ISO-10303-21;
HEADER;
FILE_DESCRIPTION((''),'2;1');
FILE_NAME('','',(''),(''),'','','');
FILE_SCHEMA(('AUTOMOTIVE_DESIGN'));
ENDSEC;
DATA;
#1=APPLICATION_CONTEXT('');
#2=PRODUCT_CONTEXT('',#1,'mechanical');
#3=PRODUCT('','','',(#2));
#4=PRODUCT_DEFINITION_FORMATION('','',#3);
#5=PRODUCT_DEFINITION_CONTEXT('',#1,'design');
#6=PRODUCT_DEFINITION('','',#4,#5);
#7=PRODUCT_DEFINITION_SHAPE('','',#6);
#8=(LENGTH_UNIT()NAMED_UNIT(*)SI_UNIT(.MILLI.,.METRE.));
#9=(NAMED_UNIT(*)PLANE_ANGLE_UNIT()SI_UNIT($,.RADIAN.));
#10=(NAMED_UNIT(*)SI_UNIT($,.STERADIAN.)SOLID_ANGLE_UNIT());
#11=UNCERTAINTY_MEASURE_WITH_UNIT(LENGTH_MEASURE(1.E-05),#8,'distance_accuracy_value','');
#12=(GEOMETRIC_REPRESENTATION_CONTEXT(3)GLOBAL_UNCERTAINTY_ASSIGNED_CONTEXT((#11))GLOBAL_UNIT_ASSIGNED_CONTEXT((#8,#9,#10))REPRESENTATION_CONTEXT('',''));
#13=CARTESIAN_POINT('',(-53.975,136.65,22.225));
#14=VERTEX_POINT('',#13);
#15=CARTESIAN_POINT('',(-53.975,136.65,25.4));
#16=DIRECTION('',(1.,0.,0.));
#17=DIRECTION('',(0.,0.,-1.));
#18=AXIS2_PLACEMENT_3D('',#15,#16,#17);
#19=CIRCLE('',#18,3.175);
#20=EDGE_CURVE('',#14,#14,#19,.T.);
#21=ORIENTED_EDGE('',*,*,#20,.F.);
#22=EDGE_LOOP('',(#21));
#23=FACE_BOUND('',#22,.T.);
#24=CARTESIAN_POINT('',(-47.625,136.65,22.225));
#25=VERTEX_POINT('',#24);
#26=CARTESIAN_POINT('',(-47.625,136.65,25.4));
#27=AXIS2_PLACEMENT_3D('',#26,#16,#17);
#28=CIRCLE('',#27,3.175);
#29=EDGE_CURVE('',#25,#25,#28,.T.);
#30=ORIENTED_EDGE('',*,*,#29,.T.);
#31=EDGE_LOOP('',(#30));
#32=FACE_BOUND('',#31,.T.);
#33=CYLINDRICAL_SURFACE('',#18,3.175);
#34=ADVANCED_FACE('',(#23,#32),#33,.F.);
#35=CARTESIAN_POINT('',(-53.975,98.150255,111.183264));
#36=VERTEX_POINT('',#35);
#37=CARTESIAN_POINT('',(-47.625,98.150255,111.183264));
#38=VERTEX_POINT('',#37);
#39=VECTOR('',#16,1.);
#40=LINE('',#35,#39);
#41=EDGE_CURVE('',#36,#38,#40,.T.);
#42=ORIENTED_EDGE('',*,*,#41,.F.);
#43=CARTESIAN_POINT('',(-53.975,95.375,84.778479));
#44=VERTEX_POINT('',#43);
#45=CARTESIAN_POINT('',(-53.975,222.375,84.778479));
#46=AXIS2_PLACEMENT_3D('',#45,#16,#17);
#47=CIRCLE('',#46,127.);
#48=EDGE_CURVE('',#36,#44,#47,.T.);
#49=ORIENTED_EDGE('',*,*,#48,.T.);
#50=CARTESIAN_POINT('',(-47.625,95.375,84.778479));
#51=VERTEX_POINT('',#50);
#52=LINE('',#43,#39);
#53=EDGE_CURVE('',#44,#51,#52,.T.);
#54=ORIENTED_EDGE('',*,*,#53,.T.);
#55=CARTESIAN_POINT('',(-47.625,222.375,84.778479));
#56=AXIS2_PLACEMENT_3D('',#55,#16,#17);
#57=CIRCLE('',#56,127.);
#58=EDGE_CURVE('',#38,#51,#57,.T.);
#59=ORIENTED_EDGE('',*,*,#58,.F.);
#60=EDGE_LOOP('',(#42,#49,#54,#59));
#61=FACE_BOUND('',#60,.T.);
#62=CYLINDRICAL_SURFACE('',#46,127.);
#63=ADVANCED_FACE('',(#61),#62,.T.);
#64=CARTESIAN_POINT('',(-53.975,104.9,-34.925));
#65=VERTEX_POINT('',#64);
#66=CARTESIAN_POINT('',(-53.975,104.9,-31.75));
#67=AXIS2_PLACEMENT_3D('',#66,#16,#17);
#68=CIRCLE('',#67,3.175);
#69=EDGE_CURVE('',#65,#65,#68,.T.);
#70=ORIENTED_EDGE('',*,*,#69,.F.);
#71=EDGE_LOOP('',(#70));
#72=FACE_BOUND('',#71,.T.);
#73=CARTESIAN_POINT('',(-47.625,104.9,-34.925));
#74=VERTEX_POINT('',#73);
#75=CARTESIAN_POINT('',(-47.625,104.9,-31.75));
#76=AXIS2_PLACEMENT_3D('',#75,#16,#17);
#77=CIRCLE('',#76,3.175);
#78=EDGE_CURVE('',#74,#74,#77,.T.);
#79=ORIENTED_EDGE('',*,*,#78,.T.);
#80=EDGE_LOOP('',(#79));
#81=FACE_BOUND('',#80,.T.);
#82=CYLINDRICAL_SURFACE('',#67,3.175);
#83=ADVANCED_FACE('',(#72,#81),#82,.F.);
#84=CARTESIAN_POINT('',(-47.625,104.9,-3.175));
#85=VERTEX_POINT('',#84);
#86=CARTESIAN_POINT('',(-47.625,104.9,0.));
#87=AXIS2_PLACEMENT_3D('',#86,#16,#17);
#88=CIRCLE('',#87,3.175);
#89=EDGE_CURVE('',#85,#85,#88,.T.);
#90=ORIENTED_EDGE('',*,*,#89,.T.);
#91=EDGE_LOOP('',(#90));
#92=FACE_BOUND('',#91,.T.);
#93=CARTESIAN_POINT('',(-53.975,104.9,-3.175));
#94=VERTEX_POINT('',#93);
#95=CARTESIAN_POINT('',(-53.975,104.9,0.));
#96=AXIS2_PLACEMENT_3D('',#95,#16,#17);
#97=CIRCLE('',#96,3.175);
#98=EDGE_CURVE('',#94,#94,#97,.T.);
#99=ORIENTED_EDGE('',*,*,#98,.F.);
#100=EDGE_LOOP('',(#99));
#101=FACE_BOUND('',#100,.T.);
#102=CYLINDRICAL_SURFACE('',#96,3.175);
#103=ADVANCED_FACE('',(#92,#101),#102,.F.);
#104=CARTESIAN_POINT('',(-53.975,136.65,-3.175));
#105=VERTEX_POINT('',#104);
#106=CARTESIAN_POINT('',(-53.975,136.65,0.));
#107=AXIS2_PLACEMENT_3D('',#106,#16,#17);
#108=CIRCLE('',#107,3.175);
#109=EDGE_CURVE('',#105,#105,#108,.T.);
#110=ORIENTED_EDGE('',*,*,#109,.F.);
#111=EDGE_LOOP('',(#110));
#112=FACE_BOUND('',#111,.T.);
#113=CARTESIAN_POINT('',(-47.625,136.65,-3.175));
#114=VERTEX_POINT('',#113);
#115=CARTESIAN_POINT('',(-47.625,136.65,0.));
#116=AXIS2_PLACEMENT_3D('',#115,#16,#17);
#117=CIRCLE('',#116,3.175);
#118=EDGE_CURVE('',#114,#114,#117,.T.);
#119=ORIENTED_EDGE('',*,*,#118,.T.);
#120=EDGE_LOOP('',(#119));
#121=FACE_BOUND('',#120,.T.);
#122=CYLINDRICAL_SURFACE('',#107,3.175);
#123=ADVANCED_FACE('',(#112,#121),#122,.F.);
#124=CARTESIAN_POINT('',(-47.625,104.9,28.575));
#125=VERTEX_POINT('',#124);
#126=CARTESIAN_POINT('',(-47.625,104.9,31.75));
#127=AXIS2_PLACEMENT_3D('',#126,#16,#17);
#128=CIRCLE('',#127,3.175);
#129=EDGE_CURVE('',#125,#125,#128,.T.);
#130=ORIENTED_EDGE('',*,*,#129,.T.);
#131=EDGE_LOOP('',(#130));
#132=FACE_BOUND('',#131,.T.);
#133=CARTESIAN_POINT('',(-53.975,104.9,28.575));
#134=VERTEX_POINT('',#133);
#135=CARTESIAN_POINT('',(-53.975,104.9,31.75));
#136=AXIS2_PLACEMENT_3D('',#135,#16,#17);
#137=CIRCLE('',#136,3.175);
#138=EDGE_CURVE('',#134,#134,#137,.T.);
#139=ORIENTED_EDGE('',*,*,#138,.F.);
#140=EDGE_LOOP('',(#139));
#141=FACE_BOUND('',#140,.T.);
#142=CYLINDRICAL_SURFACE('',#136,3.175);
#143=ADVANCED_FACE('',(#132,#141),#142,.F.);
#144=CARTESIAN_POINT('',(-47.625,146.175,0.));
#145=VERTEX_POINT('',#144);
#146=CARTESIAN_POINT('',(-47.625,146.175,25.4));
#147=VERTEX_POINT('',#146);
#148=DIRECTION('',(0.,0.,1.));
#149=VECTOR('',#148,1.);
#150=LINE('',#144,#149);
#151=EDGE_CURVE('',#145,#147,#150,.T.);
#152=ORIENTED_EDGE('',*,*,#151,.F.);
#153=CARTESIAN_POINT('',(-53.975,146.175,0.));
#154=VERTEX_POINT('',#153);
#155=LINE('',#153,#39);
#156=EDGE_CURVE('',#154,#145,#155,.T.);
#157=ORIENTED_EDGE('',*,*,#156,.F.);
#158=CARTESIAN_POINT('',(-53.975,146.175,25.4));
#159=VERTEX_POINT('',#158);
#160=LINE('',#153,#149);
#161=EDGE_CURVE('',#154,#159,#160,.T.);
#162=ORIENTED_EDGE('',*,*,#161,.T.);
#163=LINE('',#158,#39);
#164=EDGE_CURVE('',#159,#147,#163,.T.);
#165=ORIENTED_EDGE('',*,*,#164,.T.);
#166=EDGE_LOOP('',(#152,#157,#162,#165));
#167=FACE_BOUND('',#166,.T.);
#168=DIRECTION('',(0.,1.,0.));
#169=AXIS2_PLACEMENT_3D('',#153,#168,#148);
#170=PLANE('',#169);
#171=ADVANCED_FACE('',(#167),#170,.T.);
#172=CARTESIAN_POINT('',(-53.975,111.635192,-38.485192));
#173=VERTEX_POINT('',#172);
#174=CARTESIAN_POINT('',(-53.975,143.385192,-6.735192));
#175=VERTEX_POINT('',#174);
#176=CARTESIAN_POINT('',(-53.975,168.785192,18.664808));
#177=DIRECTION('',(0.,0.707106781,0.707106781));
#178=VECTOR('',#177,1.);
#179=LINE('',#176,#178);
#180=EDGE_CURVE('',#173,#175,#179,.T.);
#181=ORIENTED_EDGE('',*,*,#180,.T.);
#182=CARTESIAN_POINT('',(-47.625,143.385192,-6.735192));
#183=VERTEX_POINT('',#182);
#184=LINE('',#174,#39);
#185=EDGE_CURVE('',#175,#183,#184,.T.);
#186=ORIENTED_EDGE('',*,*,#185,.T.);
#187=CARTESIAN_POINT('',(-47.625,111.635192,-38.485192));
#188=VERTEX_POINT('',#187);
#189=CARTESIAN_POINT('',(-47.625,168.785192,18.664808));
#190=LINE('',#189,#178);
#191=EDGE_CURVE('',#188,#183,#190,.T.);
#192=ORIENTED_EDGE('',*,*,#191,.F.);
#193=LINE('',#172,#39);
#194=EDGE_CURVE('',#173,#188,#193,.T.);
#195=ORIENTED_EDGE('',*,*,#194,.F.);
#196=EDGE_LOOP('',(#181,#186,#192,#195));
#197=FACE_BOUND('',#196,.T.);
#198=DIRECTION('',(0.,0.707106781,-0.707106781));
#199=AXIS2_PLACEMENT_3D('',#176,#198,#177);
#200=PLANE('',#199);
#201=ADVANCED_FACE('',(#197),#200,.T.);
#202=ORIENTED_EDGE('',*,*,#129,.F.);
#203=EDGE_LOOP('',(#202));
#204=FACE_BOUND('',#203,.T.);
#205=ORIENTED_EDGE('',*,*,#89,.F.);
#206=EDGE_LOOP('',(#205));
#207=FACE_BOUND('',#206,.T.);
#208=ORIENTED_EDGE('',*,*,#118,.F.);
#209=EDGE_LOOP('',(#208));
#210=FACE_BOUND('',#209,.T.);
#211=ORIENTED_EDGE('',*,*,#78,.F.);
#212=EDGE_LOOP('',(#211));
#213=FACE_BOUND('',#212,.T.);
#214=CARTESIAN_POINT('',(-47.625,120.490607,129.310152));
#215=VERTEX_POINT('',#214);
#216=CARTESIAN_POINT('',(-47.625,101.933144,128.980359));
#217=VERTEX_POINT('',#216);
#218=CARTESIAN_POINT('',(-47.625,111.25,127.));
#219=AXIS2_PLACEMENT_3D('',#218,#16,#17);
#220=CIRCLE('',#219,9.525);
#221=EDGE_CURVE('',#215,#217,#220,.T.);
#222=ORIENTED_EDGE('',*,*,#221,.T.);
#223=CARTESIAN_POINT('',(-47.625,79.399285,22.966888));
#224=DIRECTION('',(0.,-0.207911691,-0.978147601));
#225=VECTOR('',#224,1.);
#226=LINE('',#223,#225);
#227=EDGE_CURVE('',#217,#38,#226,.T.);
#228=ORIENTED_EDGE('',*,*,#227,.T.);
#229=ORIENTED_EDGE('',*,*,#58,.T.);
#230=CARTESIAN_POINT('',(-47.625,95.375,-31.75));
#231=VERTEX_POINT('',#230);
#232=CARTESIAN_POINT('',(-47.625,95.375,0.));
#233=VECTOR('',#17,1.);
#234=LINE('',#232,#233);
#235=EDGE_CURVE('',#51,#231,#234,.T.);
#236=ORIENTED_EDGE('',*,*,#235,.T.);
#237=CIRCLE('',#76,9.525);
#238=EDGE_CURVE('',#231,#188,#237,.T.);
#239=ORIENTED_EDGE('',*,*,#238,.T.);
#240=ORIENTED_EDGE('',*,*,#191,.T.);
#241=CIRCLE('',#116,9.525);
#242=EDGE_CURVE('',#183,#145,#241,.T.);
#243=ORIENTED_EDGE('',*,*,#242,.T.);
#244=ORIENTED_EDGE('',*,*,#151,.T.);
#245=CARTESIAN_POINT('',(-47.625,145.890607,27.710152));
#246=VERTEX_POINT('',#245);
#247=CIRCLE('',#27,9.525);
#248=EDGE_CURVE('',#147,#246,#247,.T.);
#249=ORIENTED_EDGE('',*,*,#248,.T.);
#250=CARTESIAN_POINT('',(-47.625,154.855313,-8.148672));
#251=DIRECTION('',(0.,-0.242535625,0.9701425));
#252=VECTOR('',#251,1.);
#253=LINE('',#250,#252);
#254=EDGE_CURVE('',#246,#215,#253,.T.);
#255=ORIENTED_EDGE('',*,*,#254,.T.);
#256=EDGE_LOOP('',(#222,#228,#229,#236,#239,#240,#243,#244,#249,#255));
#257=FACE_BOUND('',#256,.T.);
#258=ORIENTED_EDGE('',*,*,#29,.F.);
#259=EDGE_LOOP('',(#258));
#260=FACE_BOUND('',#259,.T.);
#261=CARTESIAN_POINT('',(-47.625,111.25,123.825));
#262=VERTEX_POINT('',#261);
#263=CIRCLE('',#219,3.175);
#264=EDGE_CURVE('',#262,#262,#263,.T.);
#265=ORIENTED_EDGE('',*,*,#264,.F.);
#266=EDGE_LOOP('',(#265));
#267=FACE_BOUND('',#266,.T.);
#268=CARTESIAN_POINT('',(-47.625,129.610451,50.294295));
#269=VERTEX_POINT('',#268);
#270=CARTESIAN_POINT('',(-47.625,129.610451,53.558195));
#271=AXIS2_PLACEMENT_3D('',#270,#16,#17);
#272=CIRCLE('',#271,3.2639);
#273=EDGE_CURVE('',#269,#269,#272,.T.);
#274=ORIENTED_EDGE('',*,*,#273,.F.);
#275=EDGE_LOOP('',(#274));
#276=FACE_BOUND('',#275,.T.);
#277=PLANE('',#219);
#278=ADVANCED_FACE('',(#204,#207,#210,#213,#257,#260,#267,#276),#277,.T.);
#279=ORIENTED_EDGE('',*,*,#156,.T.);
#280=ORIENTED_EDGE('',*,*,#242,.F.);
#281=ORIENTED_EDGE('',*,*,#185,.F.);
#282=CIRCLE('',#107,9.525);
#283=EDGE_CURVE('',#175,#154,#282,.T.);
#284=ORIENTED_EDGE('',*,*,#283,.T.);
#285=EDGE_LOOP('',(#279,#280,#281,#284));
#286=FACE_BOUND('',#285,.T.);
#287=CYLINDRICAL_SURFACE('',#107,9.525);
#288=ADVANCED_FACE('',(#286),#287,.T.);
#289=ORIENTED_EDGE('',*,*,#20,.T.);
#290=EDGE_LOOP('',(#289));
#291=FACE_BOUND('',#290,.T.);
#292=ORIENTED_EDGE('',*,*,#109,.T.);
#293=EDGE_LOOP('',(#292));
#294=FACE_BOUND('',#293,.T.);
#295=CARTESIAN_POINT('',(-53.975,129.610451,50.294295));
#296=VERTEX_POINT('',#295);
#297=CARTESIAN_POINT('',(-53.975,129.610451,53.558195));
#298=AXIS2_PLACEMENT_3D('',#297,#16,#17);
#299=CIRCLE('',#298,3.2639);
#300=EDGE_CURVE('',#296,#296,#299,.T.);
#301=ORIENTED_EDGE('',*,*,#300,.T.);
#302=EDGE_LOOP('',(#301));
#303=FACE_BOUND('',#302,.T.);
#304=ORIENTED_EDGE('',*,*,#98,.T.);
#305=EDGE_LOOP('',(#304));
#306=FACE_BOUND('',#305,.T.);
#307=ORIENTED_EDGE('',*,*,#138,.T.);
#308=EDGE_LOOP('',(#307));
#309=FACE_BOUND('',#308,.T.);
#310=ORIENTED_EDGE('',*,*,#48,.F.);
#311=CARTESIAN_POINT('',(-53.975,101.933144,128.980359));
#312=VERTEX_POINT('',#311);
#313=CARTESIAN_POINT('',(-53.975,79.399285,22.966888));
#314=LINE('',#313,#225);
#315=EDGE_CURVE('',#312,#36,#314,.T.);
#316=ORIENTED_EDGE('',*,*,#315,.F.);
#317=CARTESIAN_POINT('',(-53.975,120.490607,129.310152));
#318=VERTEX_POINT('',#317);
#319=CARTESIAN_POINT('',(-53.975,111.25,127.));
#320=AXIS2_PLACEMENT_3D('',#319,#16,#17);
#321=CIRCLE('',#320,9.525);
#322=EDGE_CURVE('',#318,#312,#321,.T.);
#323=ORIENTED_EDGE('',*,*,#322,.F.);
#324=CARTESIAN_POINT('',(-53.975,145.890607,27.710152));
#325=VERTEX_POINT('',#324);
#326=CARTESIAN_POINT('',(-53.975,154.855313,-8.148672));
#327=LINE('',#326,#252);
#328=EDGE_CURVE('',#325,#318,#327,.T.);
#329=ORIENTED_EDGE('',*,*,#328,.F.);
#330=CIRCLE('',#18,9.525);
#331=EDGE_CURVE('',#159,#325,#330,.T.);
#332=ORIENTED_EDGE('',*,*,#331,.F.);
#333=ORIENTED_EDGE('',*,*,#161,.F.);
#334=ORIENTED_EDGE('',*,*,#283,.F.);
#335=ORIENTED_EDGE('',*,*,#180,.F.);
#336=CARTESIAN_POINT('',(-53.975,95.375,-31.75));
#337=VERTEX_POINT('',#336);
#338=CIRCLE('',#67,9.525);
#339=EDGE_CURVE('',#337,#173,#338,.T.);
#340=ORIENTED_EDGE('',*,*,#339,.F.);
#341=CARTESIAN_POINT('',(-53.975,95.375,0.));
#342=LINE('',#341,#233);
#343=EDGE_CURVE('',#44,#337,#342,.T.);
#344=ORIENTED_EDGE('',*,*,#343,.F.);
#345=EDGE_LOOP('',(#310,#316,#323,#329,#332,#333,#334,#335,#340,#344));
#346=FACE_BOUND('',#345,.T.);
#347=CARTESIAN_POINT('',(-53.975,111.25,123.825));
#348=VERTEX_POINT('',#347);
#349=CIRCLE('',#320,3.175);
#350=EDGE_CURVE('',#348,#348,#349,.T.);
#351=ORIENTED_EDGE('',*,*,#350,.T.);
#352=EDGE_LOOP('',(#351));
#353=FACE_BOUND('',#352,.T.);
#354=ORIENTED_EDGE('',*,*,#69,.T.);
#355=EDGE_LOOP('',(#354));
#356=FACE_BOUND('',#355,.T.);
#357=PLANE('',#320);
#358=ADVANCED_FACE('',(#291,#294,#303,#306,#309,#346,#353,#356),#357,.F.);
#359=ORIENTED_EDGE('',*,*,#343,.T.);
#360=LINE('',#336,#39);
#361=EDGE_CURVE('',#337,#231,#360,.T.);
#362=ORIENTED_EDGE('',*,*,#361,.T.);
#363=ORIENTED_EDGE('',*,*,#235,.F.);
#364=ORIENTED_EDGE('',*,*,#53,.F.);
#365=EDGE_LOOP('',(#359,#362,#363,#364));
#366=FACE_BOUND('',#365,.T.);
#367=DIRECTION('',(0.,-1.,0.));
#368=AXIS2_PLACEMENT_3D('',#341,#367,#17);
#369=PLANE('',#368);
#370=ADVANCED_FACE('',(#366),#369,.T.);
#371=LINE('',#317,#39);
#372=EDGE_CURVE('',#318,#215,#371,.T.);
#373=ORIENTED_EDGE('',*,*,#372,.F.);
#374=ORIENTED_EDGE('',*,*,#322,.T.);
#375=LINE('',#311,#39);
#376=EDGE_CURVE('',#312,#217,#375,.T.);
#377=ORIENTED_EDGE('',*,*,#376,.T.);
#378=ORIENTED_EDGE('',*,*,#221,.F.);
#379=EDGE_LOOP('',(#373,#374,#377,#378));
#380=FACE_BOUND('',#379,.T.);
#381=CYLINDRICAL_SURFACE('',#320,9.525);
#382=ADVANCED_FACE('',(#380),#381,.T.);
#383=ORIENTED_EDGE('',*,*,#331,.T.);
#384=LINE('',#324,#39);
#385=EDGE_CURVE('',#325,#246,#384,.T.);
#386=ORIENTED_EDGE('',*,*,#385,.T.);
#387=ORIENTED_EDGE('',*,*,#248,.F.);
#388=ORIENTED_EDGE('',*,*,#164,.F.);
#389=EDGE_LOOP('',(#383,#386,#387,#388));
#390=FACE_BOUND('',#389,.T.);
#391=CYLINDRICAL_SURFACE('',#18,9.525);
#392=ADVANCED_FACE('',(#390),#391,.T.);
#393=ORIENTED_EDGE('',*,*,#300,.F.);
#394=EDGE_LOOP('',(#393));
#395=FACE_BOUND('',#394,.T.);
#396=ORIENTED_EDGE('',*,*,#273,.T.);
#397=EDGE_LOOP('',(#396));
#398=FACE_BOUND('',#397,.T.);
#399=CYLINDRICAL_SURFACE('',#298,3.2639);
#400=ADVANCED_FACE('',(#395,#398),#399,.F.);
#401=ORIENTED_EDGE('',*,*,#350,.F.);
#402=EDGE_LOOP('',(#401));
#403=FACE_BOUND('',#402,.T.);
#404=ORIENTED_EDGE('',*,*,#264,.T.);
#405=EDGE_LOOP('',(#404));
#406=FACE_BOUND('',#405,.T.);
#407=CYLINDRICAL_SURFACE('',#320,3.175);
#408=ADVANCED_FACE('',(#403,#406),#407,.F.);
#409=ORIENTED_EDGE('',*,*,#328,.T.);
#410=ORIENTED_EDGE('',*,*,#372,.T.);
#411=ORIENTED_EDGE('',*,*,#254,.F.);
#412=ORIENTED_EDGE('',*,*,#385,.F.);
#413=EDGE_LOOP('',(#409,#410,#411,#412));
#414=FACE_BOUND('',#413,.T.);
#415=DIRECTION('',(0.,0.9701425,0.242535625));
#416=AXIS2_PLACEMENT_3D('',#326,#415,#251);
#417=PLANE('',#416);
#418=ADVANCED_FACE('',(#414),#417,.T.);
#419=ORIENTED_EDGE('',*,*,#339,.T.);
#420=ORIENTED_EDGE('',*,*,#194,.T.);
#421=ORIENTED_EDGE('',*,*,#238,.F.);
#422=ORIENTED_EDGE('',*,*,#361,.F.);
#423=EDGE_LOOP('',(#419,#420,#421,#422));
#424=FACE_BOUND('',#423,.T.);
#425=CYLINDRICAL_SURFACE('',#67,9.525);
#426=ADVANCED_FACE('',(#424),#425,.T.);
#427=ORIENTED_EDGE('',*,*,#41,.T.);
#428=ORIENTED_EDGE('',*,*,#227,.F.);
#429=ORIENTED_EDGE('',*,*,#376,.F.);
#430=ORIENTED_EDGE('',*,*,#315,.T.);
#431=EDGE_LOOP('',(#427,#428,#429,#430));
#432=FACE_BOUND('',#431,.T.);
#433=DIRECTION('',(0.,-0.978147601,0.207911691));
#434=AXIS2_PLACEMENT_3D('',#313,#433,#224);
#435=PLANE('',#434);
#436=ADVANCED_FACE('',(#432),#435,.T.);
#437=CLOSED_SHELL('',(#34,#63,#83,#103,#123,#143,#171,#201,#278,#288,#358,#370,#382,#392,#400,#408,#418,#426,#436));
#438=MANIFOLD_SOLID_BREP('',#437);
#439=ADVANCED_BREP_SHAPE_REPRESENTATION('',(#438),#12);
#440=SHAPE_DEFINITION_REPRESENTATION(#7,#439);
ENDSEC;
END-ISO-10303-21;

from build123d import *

# Parameters (mm, degrees)
BOSS_EXTRUDE1_START = -47.625
SKETCH1_R           = 3.175
SKETCH1_R_2         = 3.2639
BOSS_EXTRUDE1_DEPTH = 6.35


with BuildPart() as part:
    # Sketch1 → Boss-Extrude1 (new body)
    with BuildSketch(Plane(origin=(0, 0, 0), x_dir=(0, 0, -1), z_dir=(1, 0, 0)).offset(BOSS_EXTRUDE1_START)):
        with BuildLine():
            Line((31.75, 95.375), (-84.778478767, 95.375))
            ThreePointArc((-84.778478767, 95.375), (-98.053593602, 96.070719288), (-111.183263501, 98.150254707))
            Line((-111.183263501, 98.150254707), (-128.980358855, 101.933144103))
            ThreePointArc((-128.980358855, 101.933144103), (-136.523496243, 111.080753692), (-129.310151828, 120.490607314))
            Line((-129.310151828, 120.490607314), (-27.710151828, 145.890607314))
            ThreePointArc((-27.710151828, 145.890607314), (-26.563795587, 146.103634477), (-25.4, 146.175))
            Line((-25.4, 146.175), (0, 146.175))
            ThreePointArc((0, 146.175), (3.645059693, 145.449952547), (6.735192091, 143.385192091))
            Line((6.735192091, 143.385192091), (38.485192091, 111.635192091))
            ThreePointArc((38.485192091, 111.635192091), (40.549952547, 101.254940307), (31.75, 95.375))
        make_face()
        with Locations((-127, 111.25)):
            Circle(SKETCH1_R, mode=Mode.SUBTRACT)
        with Locations((-53.558195394, 129.610451151)):
            Circle(SKETCH1_R_2, mode=Mode.SUBTRACT)
        with Locations((0, 136.65)):
            Circle(SKETCH1_R, mode=Mode.SUBTRACT)
        with Locations((-31.75, 104.9)):
            Circle(SKETCH1_R, mode=Mode.SUBTRACT)
        with Locations((0, 104.9)):
            Circle(SKETCH1_R, mode=Mode.SUBTRACT)
        with Locations((31.75, 104.9)):
            Circle(SKETCH1_R, mode=Mode.SUBTRACT)
        with Locations((-25.4, 136.65)):
            Circle(SKETCH1_R, mode=Mode.SUBTRACT)
    extrude(amount=-BOSS_EXTRUDE1_DEPTH)


solid = part.part
